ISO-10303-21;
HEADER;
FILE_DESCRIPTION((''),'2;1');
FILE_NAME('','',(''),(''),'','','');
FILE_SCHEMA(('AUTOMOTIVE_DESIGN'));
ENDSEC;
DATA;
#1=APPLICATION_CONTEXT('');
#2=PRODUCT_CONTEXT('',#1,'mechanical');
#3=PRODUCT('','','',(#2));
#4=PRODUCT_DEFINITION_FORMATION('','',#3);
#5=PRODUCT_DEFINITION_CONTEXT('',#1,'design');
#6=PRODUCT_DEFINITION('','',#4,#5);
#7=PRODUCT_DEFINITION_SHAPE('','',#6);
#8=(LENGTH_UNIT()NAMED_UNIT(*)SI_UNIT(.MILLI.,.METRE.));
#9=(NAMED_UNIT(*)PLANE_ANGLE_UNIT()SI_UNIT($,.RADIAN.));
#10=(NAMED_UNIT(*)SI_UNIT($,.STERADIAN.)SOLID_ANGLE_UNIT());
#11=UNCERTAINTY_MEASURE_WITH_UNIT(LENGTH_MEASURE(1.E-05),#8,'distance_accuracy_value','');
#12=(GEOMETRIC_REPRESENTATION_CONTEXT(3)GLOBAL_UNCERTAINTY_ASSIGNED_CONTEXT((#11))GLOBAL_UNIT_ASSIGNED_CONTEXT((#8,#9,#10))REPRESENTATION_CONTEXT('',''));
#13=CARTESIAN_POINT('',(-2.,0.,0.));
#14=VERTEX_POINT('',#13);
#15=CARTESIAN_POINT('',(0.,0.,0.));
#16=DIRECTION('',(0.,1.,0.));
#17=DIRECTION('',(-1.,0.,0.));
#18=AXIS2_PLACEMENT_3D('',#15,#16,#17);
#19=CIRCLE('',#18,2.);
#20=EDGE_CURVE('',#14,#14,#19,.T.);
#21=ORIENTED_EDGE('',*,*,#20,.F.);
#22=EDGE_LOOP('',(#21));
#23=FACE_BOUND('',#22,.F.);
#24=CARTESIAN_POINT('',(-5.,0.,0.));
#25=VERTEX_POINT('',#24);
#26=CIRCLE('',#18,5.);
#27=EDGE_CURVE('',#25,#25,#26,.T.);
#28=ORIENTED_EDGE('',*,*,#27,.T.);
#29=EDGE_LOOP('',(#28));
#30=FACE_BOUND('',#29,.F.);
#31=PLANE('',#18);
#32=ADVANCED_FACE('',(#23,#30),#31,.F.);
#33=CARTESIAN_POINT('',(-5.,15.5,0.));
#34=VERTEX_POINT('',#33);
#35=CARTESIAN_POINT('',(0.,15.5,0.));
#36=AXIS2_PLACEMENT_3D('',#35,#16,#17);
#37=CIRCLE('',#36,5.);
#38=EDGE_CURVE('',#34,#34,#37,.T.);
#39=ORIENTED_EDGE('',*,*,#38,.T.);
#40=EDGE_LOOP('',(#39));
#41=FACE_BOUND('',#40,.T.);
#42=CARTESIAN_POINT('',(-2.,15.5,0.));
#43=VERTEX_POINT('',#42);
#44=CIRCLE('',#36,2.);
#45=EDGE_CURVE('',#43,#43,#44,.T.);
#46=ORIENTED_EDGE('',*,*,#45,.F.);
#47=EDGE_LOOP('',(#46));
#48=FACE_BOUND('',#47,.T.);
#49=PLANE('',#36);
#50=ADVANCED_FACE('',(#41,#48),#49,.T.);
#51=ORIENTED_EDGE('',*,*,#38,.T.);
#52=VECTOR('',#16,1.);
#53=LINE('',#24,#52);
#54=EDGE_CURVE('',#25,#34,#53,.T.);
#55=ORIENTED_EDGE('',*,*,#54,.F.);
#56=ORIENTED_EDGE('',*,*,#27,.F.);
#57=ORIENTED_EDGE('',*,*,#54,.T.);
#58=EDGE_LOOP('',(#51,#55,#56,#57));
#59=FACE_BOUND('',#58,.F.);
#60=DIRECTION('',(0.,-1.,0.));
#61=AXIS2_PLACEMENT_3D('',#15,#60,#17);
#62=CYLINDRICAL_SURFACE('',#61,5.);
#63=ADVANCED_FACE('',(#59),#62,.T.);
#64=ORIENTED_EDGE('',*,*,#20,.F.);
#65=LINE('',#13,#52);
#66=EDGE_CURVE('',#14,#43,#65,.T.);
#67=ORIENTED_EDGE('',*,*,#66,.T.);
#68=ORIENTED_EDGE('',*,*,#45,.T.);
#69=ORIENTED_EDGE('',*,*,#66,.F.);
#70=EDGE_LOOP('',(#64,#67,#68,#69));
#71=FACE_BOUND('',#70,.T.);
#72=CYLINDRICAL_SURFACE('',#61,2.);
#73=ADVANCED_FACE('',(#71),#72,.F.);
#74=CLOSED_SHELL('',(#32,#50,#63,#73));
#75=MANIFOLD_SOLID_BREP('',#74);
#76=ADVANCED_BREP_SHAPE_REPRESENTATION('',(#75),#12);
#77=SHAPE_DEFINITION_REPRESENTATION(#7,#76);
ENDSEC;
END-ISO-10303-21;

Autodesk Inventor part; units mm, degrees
ref_plane "YZ Plane" through (0, 0, 0) normal (1, 0, 0) x (0, 1, 0)
ref_plane "XZ Plane" through (0, 0, 0) normal (0, 1, 0) x (-1, 0, 0)
ref_plane "XY Plane" through (0, 0, 0) normal (0, 0, 1) x (1, 0, 0)
sketch "Boceto1" plane through (0, 0, 0) normal (0, 1, 0) x (-1, 0, 0)
  circle A0 centre (0, 0) radius 5
  circle A1 centre (0, 0) radius 2
  dimension "d10" = 10
  dimension "d20" = 4
extrude "Extrusión2" add sketch "Boceto1" along normal blind 15.5
thread "Thread1" size "M4x0.7" class "6H" standard "ISO Metric profile" length 15
properties part number "Tope para Cerradura Frontal"
